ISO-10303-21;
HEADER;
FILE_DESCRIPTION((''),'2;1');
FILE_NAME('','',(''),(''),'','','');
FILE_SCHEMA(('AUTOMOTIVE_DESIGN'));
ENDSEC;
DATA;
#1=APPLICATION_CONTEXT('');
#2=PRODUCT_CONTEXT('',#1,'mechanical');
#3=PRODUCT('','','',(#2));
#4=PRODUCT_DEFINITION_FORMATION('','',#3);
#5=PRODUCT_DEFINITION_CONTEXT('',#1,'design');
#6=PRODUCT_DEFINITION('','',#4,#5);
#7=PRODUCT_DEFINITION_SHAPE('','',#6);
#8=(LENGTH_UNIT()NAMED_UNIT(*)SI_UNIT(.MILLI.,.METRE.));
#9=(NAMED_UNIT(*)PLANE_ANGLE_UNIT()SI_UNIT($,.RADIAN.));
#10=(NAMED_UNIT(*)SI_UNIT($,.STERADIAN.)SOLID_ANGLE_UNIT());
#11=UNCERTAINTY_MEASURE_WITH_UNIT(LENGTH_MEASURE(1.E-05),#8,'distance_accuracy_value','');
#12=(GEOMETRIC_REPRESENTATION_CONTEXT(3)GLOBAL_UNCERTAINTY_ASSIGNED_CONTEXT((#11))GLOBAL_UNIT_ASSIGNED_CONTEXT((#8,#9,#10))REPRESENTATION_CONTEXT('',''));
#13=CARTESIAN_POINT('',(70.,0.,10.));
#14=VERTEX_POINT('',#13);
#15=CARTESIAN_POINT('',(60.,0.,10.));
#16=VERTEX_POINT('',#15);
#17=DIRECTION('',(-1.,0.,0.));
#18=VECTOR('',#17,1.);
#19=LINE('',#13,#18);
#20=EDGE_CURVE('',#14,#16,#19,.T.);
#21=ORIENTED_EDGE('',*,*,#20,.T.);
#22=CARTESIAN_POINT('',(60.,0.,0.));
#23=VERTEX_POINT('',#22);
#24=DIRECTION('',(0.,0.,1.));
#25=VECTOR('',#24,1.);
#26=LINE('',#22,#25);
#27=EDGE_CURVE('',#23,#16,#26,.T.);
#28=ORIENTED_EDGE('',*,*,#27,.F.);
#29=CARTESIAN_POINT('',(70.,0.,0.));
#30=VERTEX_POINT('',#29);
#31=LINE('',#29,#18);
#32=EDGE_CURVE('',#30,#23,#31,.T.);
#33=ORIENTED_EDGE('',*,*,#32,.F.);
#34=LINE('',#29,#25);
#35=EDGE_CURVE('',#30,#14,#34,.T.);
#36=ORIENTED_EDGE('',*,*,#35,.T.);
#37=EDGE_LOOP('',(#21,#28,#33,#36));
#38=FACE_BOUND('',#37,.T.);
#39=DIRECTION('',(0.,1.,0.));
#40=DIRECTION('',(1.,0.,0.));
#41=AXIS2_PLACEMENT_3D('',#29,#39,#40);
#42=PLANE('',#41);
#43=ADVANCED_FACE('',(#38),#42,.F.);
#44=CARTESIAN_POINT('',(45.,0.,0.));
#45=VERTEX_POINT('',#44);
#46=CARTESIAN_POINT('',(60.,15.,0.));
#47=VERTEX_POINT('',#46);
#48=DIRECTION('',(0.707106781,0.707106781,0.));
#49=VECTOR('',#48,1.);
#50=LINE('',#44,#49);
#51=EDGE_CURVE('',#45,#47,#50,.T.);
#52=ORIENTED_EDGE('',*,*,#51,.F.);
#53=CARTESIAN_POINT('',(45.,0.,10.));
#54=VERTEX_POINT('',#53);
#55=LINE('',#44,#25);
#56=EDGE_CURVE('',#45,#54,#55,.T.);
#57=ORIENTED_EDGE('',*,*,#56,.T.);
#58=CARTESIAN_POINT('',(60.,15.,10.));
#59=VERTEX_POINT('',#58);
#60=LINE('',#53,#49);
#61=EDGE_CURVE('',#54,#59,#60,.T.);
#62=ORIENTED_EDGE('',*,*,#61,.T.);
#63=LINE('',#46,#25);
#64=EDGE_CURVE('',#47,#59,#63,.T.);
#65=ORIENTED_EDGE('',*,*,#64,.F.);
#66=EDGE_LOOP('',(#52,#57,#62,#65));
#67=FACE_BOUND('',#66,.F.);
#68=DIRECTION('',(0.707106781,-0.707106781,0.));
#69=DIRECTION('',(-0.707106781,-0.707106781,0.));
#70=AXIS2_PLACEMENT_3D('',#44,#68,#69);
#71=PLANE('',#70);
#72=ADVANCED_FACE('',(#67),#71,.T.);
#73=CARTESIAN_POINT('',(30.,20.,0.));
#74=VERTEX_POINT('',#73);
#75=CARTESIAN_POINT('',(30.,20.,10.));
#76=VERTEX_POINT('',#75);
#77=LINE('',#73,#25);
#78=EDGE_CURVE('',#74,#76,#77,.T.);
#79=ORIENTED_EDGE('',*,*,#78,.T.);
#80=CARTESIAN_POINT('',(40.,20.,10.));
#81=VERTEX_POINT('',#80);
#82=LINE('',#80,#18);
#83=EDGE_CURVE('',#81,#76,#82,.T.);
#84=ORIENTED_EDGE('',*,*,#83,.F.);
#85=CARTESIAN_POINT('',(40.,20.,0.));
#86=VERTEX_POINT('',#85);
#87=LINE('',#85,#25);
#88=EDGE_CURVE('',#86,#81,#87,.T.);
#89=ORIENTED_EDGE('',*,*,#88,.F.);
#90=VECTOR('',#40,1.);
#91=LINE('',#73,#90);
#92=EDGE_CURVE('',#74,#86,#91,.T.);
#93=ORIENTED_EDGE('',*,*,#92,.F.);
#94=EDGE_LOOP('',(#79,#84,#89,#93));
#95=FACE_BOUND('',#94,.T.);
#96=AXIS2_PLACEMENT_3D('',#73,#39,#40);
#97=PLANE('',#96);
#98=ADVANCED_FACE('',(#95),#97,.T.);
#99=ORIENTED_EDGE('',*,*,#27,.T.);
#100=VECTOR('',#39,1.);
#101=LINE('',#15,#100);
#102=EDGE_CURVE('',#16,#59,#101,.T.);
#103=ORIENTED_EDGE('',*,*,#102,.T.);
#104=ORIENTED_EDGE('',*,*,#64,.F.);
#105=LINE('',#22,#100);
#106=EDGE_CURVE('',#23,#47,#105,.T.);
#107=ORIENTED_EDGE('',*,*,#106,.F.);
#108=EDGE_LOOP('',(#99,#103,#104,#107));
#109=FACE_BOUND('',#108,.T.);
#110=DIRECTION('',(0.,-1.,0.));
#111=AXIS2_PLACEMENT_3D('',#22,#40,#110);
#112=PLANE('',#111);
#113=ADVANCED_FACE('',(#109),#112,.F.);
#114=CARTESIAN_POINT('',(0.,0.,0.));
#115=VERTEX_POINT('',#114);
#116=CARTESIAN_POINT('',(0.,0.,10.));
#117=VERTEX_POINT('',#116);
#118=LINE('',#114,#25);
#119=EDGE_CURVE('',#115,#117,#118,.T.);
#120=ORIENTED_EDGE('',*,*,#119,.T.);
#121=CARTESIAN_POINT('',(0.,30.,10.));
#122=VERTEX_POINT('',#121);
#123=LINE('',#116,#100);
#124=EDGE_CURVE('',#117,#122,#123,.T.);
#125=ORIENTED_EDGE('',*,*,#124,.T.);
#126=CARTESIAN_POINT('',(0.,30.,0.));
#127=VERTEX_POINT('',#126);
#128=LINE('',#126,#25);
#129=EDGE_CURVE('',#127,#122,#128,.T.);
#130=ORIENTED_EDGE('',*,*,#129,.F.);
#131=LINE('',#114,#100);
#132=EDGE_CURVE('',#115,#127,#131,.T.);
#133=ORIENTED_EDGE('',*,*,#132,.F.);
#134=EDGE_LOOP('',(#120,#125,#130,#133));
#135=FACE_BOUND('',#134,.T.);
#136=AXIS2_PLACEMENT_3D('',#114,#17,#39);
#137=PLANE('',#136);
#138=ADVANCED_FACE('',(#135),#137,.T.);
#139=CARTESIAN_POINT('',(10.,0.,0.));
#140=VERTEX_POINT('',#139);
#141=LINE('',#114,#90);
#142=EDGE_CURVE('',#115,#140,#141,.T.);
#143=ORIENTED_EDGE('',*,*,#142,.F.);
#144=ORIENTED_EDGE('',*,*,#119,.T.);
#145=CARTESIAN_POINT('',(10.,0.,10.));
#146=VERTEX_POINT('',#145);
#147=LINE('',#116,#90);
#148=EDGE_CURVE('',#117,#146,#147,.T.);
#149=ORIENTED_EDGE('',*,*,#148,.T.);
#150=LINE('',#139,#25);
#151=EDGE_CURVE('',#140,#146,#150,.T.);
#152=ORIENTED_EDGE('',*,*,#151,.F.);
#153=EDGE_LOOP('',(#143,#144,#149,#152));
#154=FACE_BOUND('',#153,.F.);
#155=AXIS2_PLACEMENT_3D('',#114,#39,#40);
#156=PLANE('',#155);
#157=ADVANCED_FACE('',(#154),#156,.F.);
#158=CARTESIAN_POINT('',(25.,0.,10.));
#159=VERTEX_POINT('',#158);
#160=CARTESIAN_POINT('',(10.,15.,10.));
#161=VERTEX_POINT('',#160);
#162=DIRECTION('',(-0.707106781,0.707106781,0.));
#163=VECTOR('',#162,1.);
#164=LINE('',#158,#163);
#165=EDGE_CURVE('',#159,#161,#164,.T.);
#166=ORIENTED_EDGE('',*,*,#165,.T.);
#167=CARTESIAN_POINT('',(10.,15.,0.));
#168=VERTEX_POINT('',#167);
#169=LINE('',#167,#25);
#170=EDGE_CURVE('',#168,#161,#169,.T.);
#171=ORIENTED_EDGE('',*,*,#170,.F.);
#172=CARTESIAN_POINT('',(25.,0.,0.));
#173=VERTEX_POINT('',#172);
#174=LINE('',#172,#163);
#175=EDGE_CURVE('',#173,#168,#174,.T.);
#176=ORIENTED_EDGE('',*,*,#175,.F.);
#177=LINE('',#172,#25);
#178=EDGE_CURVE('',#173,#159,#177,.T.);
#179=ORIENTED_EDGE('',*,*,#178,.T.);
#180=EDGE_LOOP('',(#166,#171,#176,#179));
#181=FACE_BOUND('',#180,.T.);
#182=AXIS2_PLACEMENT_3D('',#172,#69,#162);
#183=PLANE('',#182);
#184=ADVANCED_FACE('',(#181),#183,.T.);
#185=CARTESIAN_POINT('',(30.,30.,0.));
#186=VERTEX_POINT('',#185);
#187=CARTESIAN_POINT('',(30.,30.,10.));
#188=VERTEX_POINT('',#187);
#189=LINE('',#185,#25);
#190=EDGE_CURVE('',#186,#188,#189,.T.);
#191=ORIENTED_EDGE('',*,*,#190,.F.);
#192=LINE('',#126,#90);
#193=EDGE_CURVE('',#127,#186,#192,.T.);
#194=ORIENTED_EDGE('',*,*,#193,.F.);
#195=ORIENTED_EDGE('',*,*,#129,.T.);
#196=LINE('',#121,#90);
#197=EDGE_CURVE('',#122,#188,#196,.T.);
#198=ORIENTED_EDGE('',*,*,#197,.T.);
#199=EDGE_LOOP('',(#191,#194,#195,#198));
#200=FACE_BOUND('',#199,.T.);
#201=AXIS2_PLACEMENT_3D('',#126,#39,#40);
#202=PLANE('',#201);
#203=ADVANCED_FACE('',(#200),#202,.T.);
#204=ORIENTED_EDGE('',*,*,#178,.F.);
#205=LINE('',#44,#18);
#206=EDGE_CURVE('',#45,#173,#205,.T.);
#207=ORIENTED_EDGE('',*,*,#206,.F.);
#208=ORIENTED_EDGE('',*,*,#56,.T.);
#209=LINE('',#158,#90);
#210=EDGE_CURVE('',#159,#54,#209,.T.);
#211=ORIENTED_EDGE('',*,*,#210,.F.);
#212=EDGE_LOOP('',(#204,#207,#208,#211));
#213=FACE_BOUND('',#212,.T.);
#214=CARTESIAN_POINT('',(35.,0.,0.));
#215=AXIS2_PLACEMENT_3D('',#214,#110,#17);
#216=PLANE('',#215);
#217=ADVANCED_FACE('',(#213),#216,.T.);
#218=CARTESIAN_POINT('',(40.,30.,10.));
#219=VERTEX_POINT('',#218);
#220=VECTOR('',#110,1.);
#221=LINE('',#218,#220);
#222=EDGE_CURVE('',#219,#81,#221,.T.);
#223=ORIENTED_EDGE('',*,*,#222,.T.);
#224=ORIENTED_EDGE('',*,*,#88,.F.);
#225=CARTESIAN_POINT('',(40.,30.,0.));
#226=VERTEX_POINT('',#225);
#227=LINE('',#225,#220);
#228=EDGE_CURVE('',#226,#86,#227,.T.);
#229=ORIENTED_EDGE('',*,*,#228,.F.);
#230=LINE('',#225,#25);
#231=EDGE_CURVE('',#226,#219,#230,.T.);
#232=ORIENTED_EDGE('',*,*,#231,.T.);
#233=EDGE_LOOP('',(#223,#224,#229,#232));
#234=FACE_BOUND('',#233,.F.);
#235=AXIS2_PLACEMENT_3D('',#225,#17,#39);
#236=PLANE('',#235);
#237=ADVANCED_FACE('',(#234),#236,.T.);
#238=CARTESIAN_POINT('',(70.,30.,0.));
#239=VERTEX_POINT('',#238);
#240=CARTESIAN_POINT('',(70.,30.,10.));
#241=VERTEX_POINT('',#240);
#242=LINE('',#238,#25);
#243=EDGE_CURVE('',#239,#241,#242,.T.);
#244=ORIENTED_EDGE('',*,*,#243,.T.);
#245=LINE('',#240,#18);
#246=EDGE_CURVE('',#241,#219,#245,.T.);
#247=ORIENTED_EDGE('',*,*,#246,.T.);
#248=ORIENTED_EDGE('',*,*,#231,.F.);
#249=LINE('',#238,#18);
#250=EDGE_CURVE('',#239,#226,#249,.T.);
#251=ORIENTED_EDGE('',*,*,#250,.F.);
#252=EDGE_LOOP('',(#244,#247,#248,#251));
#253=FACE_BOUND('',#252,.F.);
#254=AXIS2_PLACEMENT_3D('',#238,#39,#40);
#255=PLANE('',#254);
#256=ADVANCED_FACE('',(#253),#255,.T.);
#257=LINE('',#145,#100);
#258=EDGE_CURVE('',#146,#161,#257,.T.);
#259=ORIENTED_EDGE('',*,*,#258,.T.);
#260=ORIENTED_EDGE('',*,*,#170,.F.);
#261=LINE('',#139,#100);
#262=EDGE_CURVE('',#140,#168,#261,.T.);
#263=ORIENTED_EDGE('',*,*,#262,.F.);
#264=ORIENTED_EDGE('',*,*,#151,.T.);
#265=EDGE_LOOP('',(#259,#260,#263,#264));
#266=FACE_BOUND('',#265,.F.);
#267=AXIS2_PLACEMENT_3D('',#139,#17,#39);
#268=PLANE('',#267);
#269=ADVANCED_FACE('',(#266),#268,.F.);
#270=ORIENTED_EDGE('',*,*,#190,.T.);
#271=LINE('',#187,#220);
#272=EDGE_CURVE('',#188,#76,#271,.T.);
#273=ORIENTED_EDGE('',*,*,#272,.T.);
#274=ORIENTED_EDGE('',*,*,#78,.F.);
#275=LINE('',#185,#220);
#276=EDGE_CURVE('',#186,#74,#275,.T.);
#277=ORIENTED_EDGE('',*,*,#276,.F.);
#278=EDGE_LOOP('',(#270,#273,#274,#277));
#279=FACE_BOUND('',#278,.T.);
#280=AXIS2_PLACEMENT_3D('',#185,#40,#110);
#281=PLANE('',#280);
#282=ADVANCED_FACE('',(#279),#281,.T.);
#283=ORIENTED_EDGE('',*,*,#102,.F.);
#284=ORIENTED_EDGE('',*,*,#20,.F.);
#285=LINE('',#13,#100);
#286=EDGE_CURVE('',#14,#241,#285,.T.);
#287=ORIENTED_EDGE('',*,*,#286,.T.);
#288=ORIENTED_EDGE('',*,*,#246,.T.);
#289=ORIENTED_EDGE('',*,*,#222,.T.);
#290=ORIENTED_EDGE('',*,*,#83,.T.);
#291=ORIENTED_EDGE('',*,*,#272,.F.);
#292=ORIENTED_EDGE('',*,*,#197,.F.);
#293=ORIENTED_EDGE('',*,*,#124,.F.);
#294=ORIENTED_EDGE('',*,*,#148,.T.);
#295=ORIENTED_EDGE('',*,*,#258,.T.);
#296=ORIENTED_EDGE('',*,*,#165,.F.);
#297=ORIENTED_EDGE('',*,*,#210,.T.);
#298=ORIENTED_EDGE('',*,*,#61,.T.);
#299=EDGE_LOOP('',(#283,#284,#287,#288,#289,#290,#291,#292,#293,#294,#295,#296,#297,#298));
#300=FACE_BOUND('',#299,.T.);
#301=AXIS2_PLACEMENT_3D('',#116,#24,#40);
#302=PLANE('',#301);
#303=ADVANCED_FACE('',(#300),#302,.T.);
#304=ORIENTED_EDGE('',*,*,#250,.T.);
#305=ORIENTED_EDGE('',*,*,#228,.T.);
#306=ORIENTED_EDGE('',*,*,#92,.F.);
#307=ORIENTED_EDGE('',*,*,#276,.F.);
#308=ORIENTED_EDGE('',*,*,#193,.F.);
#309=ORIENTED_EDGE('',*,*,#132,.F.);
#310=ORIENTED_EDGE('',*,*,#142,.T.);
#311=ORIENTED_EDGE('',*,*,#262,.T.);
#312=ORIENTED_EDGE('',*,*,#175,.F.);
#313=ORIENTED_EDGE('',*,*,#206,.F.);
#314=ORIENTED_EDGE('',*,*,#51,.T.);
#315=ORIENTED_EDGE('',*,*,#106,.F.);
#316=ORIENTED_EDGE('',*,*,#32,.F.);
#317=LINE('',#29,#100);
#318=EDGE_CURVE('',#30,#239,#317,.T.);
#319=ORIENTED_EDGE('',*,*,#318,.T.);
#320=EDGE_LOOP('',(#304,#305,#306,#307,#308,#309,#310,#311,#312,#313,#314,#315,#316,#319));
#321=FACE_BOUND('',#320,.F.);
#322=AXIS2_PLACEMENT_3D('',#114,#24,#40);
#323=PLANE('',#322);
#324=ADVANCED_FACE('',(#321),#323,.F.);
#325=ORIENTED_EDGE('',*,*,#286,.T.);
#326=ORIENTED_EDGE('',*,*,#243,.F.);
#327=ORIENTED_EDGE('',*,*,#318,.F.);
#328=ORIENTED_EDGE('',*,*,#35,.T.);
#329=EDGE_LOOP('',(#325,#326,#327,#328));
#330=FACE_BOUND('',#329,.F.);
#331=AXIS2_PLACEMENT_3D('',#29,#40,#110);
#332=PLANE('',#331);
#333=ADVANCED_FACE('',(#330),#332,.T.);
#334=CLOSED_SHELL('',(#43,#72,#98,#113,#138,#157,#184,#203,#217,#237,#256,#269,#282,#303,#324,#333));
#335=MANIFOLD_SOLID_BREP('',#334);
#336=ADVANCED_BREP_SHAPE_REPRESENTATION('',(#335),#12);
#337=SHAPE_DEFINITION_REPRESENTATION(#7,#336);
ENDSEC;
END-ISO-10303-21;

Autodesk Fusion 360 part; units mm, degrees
sketch "Sketch1" plane through (0, 0, 0) normal (0, 0, 1) x (1, 0, 0)
  line L0 (0, 0) -> (0, 30)
  line L1 (0, 30) -> (30, 30)
  line L2 (30, 30) -> (30, 20)
  line L3 (30, 20) -> (35, 20)
  line L4 (35, 20) -> (35, 0)
  line L5 (0, 0) -> (10, 0)
  line L6 (10, 0) -> (10, 15)
  line L7 (35, 0) -> (25, 0)
  line L8 (25, 0) -> (10, 15)
  dimension "d1" = 30
  dimension "d2" = 30
  dimension "d3" = 10
  dimension "d4" = 5
  dimension "d5" = 20
  dimension "d6" = 15
  dimension "d7" = 10
  dimension "d8" = 15
extrude "Extrude1" add sketch "Sketch1" along normal blind 10
mirror "Mirror1" about plane through (35, 20, 0) normal (1, 0, 0) of bodies 1 merged
